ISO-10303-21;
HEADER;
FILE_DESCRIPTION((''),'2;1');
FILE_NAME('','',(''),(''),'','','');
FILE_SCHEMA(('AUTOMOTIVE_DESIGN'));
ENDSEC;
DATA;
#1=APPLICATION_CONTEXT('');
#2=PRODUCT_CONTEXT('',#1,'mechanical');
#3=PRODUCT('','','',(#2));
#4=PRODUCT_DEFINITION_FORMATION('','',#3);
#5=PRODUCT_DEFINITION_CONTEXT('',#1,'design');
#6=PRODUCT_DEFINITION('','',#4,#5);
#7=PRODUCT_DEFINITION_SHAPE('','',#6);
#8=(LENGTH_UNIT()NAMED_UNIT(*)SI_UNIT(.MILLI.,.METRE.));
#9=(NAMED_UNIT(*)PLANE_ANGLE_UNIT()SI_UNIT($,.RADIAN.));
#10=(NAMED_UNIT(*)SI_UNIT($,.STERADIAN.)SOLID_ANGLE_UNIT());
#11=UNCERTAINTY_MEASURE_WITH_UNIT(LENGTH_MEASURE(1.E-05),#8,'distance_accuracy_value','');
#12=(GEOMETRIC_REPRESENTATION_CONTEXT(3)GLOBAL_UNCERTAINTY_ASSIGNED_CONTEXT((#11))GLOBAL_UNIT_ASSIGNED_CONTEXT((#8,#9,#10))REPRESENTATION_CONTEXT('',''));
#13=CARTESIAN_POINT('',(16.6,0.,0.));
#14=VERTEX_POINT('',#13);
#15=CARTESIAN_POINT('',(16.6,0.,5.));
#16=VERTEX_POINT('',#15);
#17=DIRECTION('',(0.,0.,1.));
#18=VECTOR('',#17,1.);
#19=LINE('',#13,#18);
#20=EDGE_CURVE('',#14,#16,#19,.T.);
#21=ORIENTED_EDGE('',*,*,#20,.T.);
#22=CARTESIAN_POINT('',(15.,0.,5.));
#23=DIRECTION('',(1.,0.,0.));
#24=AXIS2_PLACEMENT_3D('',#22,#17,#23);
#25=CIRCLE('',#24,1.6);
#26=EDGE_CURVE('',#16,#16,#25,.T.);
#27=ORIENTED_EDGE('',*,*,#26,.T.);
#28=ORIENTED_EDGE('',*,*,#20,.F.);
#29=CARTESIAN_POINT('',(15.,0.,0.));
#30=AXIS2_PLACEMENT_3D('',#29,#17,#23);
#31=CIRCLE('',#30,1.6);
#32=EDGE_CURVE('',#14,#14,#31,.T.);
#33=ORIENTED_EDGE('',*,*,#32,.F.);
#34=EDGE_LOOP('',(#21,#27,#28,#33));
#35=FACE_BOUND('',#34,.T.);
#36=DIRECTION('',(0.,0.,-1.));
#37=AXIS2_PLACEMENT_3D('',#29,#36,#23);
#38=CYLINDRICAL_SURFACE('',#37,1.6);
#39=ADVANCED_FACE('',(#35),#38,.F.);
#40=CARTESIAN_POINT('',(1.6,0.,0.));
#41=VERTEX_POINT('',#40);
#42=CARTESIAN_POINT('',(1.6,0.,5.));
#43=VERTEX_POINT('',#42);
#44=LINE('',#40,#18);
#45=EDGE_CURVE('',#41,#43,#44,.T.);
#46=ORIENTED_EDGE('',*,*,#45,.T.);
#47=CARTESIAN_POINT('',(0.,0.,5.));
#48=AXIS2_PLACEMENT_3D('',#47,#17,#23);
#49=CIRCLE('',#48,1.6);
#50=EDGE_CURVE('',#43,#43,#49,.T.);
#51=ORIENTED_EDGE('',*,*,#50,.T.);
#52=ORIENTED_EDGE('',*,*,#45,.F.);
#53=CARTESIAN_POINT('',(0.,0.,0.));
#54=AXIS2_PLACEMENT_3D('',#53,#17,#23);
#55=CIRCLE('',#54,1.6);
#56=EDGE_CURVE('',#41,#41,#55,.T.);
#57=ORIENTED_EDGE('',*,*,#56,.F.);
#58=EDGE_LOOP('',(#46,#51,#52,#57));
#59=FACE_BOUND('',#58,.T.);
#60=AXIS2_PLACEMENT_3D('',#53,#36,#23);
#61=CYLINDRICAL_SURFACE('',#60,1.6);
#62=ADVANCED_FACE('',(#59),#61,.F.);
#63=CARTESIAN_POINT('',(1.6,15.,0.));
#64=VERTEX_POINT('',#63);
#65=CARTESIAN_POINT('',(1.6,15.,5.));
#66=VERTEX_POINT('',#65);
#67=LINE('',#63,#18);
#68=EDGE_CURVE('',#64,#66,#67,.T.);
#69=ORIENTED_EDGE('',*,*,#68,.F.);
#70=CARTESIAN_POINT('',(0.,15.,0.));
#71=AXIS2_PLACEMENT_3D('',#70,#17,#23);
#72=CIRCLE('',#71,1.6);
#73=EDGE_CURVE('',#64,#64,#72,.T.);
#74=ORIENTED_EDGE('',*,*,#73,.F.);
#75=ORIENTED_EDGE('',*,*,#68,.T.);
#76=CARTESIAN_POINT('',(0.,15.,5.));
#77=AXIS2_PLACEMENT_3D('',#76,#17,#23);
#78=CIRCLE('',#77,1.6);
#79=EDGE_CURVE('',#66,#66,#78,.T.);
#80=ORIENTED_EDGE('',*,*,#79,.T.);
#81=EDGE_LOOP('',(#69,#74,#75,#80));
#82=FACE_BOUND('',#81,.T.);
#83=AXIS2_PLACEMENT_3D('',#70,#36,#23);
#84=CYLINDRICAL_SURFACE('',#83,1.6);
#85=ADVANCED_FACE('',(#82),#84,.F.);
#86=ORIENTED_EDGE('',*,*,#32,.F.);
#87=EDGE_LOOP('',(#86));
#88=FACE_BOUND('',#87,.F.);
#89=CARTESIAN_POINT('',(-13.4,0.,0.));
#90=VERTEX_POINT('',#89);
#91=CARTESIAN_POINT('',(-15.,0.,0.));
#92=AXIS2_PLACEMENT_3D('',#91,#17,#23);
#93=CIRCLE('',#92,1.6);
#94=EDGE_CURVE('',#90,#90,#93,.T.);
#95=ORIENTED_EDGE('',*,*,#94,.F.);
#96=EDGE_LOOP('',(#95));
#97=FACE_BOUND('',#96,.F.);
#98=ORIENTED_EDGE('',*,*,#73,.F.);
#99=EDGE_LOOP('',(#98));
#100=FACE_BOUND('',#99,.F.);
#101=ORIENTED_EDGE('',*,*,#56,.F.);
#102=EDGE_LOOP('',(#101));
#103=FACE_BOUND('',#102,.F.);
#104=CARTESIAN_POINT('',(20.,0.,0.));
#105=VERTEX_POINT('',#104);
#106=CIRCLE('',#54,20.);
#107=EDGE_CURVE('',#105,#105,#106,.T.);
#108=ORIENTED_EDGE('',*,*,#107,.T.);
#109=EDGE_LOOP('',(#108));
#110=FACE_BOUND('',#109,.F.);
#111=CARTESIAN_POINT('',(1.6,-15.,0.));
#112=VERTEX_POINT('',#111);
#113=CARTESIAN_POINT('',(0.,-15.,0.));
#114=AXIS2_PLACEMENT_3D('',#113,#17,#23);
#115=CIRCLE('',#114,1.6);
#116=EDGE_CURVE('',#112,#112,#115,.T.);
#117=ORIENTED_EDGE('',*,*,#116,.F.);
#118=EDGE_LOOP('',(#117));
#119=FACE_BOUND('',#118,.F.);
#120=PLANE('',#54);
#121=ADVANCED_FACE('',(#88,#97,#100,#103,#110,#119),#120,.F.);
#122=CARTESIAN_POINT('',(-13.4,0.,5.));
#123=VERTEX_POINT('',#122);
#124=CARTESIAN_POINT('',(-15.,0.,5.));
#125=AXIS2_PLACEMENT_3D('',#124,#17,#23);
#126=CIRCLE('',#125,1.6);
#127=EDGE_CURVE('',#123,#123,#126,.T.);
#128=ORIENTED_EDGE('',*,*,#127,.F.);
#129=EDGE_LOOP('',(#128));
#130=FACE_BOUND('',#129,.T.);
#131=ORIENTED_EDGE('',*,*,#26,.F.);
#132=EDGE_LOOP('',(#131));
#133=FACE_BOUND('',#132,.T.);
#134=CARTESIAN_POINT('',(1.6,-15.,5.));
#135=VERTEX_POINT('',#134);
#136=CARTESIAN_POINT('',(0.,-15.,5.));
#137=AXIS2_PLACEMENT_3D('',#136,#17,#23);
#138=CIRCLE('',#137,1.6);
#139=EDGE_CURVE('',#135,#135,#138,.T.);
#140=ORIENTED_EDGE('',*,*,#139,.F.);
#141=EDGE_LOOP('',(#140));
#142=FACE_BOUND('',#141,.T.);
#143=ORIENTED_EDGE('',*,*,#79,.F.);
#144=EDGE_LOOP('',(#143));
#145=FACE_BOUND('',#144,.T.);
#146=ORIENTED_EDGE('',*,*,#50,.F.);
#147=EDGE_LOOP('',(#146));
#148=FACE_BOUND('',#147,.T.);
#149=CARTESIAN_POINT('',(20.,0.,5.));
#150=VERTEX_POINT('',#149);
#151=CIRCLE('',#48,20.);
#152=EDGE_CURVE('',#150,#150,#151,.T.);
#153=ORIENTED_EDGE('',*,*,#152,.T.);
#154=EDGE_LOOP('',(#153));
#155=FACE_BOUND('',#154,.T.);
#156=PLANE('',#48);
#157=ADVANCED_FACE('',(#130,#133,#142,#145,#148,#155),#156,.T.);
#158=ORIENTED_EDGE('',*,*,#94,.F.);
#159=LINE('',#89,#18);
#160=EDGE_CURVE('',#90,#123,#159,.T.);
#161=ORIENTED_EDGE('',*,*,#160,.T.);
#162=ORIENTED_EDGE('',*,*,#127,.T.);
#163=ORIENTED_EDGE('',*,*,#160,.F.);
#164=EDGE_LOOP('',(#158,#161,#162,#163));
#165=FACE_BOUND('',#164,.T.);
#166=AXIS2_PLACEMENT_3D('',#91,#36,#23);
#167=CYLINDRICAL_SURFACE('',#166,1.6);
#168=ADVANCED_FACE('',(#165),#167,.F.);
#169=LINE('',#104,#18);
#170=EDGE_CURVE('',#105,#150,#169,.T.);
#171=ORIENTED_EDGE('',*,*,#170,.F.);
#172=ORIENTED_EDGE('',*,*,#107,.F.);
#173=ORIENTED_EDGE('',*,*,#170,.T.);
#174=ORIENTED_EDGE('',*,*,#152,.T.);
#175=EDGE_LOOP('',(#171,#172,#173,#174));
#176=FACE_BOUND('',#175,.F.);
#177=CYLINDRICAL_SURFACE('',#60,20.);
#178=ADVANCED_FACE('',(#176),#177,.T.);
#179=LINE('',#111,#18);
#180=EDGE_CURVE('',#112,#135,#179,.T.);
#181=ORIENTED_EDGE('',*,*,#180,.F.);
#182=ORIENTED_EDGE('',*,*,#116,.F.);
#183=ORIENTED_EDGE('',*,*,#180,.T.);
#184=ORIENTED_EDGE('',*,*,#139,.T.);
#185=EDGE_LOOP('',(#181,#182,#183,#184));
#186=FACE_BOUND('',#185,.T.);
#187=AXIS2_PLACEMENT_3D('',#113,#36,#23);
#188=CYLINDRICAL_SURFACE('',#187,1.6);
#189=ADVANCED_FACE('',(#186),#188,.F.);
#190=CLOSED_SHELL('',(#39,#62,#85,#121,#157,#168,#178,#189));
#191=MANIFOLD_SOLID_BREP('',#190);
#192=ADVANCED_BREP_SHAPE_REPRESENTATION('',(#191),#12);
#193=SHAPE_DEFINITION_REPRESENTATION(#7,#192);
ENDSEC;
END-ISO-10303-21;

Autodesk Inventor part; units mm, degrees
ref_plane "YZ Plane" through (0, 0, 0) normal (1, 0, 0) x (0, 1, 0)
ref_plane "XZ Plane" through (0, 0, 0) normal (0, 1, 0) x (-1, 0, 0)
ref_plane "XY Plane" through (0, 0, 0) normal (0, 0, 1) x (1, 0, 0)
sketch "Sketch1" plane through (0, 0, 0) normal (0, 0, 1) x (1, 0, 0)
  circle A0 centre (0, 0) radius 20
  circle A1 centre (0, 0) radius 1.6
  circle A2 centre (0, 15) radius 1.6
  circle A3 centre (-15, 0) radius 1.6
  circle A4 centre (0, -15) radius 1.6
  circle A5 centre (15, 0) radius 1.6
  dimension "d0" = 40
  dimension "d9" = 3.2
  dimension "d10" = 3.2
  dimension "d13" = 360
  dimension "d15" = 30
extrude "Extrusion1" add sketch "Sketch1" along normal blind 5
properties part number "gearbox_connector1"
